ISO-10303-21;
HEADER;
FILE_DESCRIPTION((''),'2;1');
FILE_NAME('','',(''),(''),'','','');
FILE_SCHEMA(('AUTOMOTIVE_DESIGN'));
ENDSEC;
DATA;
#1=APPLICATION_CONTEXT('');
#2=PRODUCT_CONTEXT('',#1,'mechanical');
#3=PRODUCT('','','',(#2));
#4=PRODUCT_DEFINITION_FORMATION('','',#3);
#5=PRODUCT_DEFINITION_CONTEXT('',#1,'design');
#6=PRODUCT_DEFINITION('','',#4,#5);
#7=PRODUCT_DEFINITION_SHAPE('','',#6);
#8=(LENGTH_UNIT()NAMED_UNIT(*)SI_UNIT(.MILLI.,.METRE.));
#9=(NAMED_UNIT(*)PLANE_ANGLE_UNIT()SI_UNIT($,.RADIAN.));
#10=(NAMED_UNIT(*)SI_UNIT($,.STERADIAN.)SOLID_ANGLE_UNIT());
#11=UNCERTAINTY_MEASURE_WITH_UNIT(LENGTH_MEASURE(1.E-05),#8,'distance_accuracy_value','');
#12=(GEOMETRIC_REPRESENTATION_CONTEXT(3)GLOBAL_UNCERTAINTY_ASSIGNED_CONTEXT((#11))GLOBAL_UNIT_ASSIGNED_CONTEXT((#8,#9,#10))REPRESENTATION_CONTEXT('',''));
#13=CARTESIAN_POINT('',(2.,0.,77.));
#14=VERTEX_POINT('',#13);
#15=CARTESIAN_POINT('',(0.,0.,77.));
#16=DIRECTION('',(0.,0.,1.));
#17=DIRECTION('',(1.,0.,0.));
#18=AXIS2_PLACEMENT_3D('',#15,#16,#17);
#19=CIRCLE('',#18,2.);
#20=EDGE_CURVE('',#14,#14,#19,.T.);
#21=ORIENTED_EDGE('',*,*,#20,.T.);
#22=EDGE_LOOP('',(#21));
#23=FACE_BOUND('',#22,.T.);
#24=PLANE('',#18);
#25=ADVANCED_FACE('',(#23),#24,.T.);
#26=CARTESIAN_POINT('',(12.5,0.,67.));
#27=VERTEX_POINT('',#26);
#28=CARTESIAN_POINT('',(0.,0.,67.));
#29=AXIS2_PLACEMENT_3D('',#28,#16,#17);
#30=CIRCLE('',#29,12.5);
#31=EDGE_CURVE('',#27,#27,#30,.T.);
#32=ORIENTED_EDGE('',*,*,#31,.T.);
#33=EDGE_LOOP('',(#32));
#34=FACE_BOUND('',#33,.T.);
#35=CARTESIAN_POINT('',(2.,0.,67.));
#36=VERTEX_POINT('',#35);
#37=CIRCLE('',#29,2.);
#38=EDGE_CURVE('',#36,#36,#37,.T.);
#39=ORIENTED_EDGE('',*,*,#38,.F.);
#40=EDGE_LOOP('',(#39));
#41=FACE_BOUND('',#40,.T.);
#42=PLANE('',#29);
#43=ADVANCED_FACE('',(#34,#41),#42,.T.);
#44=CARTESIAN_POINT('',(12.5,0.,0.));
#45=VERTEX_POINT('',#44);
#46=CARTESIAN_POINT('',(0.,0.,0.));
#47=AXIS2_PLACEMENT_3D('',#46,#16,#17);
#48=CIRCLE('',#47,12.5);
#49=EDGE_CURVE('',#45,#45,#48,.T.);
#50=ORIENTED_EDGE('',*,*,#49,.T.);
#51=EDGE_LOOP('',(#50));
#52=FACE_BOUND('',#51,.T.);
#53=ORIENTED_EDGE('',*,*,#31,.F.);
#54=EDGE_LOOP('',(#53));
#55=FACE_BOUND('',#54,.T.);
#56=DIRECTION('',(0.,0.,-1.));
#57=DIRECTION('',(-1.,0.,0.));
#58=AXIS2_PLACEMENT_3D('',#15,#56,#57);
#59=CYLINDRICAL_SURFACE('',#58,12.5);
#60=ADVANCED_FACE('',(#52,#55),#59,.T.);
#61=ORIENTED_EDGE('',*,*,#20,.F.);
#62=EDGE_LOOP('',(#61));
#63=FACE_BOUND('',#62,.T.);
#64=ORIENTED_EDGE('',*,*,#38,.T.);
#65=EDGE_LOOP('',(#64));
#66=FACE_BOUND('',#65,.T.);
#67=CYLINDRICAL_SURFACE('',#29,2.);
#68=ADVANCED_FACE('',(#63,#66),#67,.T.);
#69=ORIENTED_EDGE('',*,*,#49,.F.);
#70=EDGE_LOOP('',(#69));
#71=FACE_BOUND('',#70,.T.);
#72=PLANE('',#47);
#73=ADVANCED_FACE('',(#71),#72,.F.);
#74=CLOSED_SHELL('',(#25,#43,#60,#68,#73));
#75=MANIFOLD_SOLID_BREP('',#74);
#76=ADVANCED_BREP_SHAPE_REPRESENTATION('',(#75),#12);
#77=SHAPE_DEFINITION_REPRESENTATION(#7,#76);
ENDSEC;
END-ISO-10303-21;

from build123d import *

# Parameters (mm, degrees)
ESQUISSE1_R             = 12.5
BOSS_EXTRU_1_DEPTH      = 77
ESQUISSE2_R             = 15.692851323
ESQUISSE2_R_2           = 2
ENL_V_MAT_EXTRU_1_DEPTH = 10


with BuildPart() as part:
    # Esquisse1 → Boss.-Extru.1 (new body)
    with BuildSketch(Plane.XY):
        Circle(ESQUISSE1_R)
    extrude(amount=BOSS_EXTRU_1_DEPTH)

    # Esquisse2 → Enlèv. mat.-Extru.1 (cut)
    with BuildSketch(Plane.XY.offset(77)):
        Circle(ESQUISSE2_R)
        Circle(ESQUISSE2_R_2, mode=Mode.SUBTRACT)
    extrude(amount=-ENL_V_MAT_EXTRU_1_DEPTH, mode=Mode.SUBTRACT)


solid = part.part
